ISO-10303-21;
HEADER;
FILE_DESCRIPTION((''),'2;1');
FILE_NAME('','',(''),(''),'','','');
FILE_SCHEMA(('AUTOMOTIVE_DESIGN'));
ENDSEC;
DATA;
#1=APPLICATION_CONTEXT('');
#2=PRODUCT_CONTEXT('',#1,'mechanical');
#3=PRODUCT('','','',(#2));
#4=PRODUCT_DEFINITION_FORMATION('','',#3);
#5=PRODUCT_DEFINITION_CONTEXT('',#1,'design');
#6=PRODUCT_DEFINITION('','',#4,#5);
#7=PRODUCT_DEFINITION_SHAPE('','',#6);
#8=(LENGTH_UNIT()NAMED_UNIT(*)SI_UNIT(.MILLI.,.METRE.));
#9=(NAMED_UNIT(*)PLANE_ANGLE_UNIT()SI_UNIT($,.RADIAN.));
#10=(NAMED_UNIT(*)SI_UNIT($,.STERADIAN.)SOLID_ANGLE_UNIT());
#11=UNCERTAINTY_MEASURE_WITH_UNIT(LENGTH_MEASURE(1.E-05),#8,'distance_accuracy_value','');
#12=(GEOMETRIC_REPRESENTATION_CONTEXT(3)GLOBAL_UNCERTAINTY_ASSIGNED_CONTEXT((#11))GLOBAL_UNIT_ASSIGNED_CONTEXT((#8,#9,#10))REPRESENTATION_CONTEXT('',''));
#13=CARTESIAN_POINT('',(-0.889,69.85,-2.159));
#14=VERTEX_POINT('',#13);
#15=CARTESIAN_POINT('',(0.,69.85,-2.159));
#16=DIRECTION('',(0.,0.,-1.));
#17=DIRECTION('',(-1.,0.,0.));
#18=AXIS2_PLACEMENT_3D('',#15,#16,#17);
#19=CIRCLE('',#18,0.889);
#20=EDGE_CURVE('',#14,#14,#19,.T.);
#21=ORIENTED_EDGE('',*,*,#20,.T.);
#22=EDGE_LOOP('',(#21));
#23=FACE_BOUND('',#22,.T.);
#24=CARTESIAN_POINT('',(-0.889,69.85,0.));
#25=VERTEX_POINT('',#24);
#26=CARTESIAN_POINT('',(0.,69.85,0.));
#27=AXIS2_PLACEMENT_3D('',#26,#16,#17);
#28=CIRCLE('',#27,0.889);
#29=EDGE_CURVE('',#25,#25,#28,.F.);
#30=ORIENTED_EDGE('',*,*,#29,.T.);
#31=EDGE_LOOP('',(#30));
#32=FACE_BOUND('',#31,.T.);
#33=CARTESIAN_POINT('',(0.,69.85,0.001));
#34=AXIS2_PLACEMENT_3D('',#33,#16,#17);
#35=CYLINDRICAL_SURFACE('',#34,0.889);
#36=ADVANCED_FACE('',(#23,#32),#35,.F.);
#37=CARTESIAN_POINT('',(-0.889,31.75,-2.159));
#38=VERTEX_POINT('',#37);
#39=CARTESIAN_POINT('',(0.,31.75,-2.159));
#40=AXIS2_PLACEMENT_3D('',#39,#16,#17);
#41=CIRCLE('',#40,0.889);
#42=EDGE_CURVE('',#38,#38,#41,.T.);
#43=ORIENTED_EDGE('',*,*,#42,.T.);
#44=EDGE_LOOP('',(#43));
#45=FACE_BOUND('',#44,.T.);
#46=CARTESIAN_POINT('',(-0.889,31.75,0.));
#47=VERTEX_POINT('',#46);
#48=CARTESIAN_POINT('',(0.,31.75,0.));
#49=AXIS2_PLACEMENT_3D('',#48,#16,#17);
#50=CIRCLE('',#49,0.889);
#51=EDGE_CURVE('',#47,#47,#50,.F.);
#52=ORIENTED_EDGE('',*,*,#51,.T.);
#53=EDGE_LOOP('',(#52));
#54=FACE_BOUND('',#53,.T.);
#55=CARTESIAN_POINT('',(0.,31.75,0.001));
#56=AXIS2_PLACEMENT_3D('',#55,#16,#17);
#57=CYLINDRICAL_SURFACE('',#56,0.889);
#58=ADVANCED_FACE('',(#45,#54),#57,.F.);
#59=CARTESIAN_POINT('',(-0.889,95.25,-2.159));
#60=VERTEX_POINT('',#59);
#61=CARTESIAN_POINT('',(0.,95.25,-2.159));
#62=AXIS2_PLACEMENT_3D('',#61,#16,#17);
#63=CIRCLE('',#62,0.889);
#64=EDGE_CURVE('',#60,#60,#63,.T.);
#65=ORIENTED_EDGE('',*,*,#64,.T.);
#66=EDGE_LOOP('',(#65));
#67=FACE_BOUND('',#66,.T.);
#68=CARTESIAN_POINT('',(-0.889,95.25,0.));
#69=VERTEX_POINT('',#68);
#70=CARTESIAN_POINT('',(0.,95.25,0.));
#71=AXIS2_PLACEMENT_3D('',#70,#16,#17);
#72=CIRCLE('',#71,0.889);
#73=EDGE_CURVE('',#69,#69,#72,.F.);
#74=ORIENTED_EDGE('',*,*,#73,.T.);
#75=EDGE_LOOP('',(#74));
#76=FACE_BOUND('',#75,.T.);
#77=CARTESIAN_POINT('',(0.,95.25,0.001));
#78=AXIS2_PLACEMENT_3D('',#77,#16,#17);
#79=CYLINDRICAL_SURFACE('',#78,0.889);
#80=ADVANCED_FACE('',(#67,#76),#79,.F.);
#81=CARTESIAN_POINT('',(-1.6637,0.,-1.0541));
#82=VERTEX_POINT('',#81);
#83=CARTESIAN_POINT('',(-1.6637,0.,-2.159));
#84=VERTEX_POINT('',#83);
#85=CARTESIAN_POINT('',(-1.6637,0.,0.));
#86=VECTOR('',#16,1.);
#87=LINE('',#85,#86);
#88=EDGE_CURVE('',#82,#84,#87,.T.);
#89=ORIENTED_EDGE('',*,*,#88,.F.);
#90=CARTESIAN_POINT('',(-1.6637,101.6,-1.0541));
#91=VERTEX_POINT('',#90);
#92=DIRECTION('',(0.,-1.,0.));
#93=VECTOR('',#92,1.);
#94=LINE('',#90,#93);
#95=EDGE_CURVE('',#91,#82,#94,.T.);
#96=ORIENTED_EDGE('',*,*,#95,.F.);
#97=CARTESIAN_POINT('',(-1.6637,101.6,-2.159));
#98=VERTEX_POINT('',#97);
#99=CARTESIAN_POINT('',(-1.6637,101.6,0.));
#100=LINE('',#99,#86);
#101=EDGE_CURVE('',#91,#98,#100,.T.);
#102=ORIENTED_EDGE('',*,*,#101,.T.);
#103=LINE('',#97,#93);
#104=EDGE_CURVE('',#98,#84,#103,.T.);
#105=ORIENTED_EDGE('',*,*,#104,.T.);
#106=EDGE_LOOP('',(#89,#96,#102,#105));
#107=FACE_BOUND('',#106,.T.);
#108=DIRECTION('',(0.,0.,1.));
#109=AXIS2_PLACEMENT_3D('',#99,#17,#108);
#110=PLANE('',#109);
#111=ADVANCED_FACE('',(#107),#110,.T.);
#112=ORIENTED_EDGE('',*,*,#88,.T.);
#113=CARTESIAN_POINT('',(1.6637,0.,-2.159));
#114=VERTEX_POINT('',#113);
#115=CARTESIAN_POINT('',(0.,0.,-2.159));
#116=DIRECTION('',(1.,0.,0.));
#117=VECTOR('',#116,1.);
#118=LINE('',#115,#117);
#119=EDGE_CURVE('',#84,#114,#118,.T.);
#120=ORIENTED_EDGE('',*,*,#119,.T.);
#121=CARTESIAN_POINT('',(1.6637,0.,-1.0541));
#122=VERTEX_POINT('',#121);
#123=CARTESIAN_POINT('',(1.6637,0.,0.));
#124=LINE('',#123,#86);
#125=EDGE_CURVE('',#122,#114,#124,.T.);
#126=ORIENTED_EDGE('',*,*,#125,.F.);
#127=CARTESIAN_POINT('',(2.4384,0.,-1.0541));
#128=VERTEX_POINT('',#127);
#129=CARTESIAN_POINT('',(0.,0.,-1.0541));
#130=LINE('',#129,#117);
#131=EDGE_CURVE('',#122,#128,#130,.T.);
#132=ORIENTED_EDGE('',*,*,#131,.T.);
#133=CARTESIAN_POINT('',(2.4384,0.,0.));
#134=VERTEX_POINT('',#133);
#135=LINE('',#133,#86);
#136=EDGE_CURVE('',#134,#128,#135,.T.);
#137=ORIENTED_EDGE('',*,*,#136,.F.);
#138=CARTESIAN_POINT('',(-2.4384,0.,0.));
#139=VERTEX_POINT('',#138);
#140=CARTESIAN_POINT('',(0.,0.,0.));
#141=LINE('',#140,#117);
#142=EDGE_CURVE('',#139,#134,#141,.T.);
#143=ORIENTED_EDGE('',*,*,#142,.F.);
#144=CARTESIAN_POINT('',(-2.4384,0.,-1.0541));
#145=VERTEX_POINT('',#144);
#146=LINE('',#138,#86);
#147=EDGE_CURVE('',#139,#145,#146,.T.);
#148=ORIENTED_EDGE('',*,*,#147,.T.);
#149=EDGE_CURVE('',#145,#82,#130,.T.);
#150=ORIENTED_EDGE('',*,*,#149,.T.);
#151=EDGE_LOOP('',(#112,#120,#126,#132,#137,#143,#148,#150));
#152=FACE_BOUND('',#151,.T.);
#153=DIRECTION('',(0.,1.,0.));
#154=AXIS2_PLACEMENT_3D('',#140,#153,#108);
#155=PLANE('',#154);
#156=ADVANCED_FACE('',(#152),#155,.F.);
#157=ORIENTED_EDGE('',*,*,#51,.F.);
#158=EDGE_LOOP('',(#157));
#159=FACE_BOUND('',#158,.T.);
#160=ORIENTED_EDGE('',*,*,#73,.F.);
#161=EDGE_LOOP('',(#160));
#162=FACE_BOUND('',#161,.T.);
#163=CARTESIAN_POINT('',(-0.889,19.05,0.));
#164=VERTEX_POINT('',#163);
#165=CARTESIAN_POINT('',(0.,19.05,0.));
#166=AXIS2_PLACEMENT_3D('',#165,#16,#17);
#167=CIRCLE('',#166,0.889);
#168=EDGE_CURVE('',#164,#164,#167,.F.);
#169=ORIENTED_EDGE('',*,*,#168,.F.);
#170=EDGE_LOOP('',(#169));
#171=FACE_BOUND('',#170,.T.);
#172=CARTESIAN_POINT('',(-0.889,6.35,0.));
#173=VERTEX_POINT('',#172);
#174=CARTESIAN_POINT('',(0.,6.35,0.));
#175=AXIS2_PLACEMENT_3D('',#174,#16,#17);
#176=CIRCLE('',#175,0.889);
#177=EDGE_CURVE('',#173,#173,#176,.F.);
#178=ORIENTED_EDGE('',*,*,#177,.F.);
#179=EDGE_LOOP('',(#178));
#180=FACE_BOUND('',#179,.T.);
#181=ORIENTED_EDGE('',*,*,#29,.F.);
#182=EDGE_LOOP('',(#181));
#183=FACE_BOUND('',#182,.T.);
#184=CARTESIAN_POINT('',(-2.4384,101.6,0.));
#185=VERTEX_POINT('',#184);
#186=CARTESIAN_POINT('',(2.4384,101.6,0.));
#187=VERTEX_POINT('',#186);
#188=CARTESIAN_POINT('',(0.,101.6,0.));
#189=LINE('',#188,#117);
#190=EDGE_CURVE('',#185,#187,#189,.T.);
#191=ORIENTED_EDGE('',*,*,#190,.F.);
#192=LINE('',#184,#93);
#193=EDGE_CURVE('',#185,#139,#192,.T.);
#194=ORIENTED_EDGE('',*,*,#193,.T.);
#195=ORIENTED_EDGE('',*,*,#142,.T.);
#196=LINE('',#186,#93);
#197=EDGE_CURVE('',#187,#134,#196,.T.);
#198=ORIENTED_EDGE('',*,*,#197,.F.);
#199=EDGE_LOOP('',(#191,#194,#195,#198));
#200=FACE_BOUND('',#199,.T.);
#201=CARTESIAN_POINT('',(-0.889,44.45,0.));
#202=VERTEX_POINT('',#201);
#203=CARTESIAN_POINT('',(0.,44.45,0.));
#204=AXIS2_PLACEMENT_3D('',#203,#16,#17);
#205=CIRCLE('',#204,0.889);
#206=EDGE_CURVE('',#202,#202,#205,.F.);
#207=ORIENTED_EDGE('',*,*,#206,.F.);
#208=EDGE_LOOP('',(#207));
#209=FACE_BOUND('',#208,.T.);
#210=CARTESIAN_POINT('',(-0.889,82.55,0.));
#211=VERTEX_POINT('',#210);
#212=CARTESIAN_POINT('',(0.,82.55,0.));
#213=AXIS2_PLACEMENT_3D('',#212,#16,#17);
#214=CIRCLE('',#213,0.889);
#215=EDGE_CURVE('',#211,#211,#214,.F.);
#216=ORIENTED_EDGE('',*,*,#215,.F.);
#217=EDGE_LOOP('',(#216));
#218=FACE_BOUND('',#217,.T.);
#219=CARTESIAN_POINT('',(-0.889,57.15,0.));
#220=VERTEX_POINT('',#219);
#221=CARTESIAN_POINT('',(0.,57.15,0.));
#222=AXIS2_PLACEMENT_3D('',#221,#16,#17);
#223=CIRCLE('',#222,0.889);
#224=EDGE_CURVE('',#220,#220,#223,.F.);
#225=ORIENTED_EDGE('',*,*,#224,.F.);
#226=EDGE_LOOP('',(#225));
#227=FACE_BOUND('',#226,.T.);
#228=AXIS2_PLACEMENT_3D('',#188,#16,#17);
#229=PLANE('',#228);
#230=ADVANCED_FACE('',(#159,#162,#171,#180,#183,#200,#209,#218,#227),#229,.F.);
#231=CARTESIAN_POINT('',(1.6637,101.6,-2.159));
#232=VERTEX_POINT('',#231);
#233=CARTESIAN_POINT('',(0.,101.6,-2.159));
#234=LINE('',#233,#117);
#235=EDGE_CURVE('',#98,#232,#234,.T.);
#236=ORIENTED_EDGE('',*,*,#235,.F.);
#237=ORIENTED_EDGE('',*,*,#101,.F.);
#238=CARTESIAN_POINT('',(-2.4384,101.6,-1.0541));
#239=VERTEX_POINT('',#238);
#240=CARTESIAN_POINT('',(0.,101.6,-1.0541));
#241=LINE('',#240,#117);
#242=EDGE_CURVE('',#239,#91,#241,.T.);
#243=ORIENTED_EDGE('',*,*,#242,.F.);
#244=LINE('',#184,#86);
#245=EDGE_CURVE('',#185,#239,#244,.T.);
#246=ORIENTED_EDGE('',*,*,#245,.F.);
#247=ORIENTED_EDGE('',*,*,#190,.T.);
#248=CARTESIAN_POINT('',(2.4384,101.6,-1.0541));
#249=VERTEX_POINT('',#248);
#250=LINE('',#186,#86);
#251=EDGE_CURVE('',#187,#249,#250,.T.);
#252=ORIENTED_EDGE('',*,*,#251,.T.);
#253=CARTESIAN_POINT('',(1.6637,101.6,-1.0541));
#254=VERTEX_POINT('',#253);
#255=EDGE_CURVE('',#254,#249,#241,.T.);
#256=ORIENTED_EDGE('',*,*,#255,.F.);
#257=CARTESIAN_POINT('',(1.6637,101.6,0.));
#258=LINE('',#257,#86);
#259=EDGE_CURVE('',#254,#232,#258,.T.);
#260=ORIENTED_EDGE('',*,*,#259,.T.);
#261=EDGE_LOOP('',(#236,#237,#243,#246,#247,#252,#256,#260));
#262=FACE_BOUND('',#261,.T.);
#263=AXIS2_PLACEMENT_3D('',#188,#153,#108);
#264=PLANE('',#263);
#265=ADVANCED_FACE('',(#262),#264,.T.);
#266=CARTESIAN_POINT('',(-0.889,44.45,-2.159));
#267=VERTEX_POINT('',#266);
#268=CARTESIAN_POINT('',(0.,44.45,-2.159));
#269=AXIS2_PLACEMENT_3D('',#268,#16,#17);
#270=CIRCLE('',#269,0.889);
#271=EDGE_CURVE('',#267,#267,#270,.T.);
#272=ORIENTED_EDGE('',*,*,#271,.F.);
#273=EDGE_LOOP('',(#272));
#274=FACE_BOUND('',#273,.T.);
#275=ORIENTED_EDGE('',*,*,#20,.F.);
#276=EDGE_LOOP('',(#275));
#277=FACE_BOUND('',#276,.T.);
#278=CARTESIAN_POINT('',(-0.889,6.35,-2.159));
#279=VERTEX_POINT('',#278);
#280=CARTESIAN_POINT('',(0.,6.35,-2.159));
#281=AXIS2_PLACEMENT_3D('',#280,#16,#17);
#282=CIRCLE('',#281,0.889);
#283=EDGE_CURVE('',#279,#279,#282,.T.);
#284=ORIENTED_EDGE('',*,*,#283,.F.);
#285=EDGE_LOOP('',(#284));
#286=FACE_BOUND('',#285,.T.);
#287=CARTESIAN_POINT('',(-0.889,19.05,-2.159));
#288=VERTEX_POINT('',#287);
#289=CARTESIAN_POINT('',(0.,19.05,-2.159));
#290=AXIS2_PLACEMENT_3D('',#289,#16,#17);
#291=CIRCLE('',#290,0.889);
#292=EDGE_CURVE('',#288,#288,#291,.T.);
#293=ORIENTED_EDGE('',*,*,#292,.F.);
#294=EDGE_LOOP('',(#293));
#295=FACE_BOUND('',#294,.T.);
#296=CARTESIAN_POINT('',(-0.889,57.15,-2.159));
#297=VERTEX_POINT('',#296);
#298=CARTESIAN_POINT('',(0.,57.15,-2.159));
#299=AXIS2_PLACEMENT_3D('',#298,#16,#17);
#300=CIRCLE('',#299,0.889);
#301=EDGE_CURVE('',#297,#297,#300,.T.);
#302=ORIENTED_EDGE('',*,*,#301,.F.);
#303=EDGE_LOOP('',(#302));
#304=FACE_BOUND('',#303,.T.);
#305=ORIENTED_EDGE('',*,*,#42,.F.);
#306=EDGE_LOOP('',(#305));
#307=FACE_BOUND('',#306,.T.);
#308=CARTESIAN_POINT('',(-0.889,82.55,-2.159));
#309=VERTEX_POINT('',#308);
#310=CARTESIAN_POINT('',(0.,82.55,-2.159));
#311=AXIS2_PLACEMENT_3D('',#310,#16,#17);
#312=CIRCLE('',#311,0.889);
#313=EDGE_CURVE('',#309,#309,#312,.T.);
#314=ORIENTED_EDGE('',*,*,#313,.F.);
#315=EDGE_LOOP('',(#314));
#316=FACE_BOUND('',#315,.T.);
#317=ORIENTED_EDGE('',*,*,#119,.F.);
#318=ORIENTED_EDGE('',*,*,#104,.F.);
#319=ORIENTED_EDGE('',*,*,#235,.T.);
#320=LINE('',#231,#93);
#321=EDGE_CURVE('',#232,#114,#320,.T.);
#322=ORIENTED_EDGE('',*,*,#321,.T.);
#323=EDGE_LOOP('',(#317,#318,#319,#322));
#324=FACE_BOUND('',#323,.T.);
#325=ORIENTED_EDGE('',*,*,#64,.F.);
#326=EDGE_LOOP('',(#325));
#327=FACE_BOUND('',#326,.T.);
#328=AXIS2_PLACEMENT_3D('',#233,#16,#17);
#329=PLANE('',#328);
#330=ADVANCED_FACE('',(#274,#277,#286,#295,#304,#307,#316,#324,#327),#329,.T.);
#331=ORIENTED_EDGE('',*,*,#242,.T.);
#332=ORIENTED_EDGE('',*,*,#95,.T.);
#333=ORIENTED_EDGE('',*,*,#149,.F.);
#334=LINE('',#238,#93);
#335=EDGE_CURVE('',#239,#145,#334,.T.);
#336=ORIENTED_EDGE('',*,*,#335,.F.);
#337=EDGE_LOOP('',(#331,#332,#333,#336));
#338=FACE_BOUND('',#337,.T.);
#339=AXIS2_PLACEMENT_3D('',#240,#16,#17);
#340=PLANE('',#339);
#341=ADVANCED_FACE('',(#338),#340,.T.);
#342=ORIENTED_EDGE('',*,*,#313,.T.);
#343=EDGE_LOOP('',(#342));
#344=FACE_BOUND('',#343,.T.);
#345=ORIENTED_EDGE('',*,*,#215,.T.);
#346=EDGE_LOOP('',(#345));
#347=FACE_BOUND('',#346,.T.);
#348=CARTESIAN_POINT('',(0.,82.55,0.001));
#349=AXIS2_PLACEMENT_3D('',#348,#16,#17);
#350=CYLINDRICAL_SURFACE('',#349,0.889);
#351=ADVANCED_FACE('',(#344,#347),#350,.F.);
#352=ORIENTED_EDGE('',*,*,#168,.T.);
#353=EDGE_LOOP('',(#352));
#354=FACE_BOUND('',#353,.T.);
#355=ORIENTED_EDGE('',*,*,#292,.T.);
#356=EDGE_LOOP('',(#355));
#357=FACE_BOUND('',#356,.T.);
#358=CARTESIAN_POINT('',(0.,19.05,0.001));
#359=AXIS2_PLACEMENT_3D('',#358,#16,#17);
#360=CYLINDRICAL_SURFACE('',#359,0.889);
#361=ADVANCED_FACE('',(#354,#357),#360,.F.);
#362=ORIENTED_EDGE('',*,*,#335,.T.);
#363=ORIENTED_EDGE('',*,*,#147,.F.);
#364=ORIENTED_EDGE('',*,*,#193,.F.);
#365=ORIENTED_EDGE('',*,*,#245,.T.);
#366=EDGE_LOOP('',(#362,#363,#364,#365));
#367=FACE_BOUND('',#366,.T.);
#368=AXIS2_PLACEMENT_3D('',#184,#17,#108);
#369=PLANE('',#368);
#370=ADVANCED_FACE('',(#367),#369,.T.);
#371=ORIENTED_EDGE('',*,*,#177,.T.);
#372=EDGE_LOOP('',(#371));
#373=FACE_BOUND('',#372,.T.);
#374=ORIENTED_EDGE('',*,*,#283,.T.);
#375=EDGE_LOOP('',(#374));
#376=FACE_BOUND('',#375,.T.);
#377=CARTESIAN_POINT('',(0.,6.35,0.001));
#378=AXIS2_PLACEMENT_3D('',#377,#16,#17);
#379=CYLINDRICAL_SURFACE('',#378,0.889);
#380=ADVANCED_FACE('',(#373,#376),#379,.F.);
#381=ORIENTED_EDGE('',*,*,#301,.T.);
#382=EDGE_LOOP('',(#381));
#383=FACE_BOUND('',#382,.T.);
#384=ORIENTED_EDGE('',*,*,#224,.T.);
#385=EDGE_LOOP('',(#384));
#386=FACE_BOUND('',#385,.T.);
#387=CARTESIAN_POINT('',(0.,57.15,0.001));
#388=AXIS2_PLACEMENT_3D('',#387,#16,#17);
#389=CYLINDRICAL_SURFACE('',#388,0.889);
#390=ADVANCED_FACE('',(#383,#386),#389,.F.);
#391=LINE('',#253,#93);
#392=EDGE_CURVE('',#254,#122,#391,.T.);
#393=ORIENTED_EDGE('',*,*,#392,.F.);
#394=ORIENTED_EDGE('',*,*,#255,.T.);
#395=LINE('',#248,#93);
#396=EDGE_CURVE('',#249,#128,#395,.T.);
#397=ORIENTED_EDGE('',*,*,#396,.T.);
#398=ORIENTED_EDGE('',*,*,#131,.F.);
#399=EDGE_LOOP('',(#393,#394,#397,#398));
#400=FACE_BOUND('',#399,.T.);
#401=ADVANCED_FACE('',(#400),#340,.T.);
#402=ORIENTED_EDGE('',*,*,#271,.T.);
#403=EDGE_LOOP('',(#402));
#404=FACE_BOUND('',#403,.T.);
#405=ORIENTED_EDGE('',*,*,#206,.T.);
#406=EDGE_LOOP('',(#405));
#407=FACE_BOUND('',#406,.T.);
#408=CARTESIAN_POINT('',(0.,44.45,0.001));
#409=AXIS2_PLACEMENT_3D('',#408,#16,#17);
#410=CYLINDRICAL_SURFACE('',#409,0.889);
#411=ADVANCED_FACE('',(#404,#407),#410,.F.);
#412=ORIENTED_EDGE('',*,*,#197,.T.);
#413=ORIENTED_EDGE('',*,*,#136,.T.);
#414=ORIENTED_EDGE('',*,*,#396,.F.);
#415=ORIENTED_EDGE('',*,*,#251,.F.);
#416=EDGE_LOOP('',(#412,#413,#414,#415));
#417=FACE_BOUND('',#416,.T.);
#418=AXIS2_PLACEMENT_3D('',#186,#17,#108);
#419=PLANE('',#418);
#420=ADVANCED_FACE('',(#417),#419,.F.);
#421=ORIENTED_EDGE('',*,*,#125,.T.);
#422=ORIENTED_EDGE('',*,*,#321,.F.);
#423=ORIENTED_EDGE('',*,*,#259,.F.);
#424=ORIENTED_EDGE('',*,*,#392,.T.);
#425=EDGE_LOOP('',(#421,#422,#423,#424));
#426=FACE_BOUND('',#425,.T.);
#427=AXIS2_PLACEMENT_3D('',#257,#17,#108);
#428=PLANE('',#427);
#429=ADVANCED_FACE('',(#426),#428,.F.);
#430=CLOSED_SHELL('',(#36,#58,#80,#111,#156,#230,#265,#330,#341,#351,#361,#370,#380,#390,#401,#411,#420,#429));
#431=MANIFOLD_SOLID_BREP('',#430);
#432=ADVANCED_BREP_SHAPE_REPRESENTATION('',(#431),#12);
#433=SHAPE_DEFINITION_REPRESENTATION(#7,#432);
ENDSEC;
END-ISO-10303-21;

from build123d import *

# Parameters (mm, degrees)
SKETCH1_W           = 1.6637
SKETCH1_H           = 1.1049
BOSS_EXTRUDE1_DEPTH = 101.6
CUT_EXTRUDE1_REACH  = 103.652
SKETCH2_R           = 0.889


with BuildPart() as part:
    # Sketch1 → Boss-Extrude1 (new body)
    with BuildSketch(Plane(origin=(0, 0, 0), x_dir=(1, 0, 0), z_dir=(0, 1, 0))):
        with Locations((-0.83185, 1.60655)):
            Rectangle(SKETCH1_W, SKETCH1_H)
        with Locations((0.83185, 1.60655)):
            Rectangle(SKETCH1_W, SKETCH1_H)
        Polygon((0, 1.0541), (0, 0), (2.4384, 0), (2.4384, 1.0541), (1.6637, 1.0541), align=None)
        Polygon((-2.4384, 0), (0, 0), (0, 1.0541), (-1.6637, 1.0541), (-2.4384, 1.0541), align=None)
    extrude(amount=BOSS_EXTRUDE1_DEPTH)

    # Sketch2 → Cut-Extrude1 (cut, up to next)
    with BuildSketch(Plane(origin=(0, 0, -2.159), x_dir=(-1, 0, 0), z_dir=(0, 0, -1)), mode=Mode.PRIVATE) as cut_extrude1_sk1:
        with Locations((0, 6.35)):
            Circle(SKETCH2_R)
    cut_extrude1_tool1 = extrude(cut_extrude1_sk1.sketch, amount=-CUT_EXTRUDE1_REACH, mode=Mode.PRIVATE) & part.part
    # Sketch2 → Cut-Extrude1 (cut, up to next)
    with BuildSketch(Plane(origin=(0, 0, -2.159), x_dir=(-1, 0, 0), z_dir=(0, 0, -1)), mode=Mode.PRIVATE) as cut_extrude1_sk2:
        with Locations((0, 19.05)):
            Circle(SKETCH2_R)
    cut_extrude1_tool2 = extrude(cut_extrude1_sk2.sketch, amount=-CUT_EXTRUDE1_REACH, mode=Mode.PRIVATE) & part.part
    # Sketch2 → Cut-Extrude1 (cut, up to next)
    with BuildSketch(Plane(origin=(0, 0, -2.159), x_dir=(-1, 0, 0), z_dir=(0, 0, -1)), mode=Mode.PRIVATE) as cut_extrude1_sk3:
        with Locations((0, 31.75)):
            Circle(SKETCH2_R)
    cut_extrude1_tool3 = extrude(cut_extrude1_sk3.sketch, amount=-CUT_EXTRUDE1_REACH, mode=Mode.PRIVATE) & part.part
    # Sketch2 → Cut-Extrude1 (cut, up to next)
    with BuildSketch(Plane(origin=(0, 0, -2.159), x_dir=(-1, 0, 0), z_dir=(0, 0, -1)), mode=Mode.PRIVATE) as cut_extrude1_sk4:
        with Locations((0, 44.45)):
            Circle(SKETCH2_R)
    cut_extrude1_tool4 = extrude(cut_extrude1_sk4.sketch, amount=-CUT_EXTRUDE1_REACH, mode=Mode.PRIVATE) & part.part
    # Sketch2 → Cut-Extrude1 (cut, up to next)
    with BuildSketch(Plane(origin=(0, 0, -2.159), x_dir=(-1, 0, 0), z_dir=(0, 0, -1)), mode=Mode.PRIVATE) as cut_extrude1_sk5:
        with Locations((0, 57.15)):
            Circle(SKETCH2_R)
    cut_extrude1_tool5 = extrude(cut_extrude1_sk5.sketch, amount=-CUT_EXTRUDE1_REACH, mode=Mode.PRIVATE) & part.part
    # Sketch2 → Cut-Extrude1 (cut, up to next)
    with BuildSketch(Plane(origin=(0, 0, -2.159), x_dir=(-1, 0, 0), z_dir=(0, 0, -1)), mode=Mode.PRIVATE) as cut_extrude1_sk6:
        with Locations((0, 69.85)):
            Circle(SKETCH2_R)
    cut_extrude1_tool6 = extrude(cut_extrude1_sk6.sketch, amount=-CUT_EXTRUDE1_REACH, mode=Mode.PRIVATE) & part.part
    # Sketch2 → Cut-Extrude1 (cut, up to next)
    with BuildSketch(Plane(origin=(0, 0, -2.159), x_dir=(-1, 0, 0), z_dir=(0, 0, -1)), mode=Mode.PRIVATE) as cut_extrude1_sk7:
        with Locations((0, 82.55)):
            Circle(SKETCH2_R)
    cut_extrude1_tool7 = extrude(cut_extrude1_sk7.sketch, amount=-CUT_EXTRUDE1_REACH, mode=Mode.PRIVATE) & part.part
    # Sketch2 → Cut-Extrude1 (cut, up to next)
    with BuildSketch(Plane(origin=(0, 0, -2.159), x_dir=(-1, 0, 0), z_dir=(0, 0, -1)), mode=Mode.PRIVATE) as cut_extrude1_sk8:
        with Locations((0, 95.25)):
            Circle(SKETCH2_R)
    cut_extrude1_tool8 = extrude(cut_extrude1_sk8.sketch, amount=-CUT_EXTRUDE1_REACH, mode=Mode.PRIVATE) & part.part
    add(cut_extrude1_tool1.solids().sort_by_distance((0, 6.35, -2.159))[0], mode=Mode.SUBTRACT)
    add(cut_extrude1_tool2.solids().sort_by_distance((0, 19.05, -2.159))[0], mode=Mode.SUBTRACT)
    add(cut_extrude1_tool3.solids().sort_by_distance((0, 31.75, -2.159))[0], mode=Mode.SUBTRACT)
    add(cut_extrude1_tool4.solids().sort_by_distance((0, 44.45, -2.159))[0], mode=Mode.SUBTRACT)
    add(cut_extrude1_tool5.solids().sort_by_distance((0, 57.15, -2.159))[0], mode=Mode.SUBTRACT)
    add(cut_extrude1_tool6.solids().sort_by_distance((0, 69.85, -2.159))[0], mode=Mode.SUBTRACT)
    add(cut_extrude1_tool7.solids().sort_by_distance((0, 82.55, -2.159))[0], mode=Mode.SUBTRACT)
    add(cut_extrude1_tool8.solids().sort_by_distance((0, 95.25, -2.159))[0], mode=Mode.SUBTRACT)


solid = part.part
